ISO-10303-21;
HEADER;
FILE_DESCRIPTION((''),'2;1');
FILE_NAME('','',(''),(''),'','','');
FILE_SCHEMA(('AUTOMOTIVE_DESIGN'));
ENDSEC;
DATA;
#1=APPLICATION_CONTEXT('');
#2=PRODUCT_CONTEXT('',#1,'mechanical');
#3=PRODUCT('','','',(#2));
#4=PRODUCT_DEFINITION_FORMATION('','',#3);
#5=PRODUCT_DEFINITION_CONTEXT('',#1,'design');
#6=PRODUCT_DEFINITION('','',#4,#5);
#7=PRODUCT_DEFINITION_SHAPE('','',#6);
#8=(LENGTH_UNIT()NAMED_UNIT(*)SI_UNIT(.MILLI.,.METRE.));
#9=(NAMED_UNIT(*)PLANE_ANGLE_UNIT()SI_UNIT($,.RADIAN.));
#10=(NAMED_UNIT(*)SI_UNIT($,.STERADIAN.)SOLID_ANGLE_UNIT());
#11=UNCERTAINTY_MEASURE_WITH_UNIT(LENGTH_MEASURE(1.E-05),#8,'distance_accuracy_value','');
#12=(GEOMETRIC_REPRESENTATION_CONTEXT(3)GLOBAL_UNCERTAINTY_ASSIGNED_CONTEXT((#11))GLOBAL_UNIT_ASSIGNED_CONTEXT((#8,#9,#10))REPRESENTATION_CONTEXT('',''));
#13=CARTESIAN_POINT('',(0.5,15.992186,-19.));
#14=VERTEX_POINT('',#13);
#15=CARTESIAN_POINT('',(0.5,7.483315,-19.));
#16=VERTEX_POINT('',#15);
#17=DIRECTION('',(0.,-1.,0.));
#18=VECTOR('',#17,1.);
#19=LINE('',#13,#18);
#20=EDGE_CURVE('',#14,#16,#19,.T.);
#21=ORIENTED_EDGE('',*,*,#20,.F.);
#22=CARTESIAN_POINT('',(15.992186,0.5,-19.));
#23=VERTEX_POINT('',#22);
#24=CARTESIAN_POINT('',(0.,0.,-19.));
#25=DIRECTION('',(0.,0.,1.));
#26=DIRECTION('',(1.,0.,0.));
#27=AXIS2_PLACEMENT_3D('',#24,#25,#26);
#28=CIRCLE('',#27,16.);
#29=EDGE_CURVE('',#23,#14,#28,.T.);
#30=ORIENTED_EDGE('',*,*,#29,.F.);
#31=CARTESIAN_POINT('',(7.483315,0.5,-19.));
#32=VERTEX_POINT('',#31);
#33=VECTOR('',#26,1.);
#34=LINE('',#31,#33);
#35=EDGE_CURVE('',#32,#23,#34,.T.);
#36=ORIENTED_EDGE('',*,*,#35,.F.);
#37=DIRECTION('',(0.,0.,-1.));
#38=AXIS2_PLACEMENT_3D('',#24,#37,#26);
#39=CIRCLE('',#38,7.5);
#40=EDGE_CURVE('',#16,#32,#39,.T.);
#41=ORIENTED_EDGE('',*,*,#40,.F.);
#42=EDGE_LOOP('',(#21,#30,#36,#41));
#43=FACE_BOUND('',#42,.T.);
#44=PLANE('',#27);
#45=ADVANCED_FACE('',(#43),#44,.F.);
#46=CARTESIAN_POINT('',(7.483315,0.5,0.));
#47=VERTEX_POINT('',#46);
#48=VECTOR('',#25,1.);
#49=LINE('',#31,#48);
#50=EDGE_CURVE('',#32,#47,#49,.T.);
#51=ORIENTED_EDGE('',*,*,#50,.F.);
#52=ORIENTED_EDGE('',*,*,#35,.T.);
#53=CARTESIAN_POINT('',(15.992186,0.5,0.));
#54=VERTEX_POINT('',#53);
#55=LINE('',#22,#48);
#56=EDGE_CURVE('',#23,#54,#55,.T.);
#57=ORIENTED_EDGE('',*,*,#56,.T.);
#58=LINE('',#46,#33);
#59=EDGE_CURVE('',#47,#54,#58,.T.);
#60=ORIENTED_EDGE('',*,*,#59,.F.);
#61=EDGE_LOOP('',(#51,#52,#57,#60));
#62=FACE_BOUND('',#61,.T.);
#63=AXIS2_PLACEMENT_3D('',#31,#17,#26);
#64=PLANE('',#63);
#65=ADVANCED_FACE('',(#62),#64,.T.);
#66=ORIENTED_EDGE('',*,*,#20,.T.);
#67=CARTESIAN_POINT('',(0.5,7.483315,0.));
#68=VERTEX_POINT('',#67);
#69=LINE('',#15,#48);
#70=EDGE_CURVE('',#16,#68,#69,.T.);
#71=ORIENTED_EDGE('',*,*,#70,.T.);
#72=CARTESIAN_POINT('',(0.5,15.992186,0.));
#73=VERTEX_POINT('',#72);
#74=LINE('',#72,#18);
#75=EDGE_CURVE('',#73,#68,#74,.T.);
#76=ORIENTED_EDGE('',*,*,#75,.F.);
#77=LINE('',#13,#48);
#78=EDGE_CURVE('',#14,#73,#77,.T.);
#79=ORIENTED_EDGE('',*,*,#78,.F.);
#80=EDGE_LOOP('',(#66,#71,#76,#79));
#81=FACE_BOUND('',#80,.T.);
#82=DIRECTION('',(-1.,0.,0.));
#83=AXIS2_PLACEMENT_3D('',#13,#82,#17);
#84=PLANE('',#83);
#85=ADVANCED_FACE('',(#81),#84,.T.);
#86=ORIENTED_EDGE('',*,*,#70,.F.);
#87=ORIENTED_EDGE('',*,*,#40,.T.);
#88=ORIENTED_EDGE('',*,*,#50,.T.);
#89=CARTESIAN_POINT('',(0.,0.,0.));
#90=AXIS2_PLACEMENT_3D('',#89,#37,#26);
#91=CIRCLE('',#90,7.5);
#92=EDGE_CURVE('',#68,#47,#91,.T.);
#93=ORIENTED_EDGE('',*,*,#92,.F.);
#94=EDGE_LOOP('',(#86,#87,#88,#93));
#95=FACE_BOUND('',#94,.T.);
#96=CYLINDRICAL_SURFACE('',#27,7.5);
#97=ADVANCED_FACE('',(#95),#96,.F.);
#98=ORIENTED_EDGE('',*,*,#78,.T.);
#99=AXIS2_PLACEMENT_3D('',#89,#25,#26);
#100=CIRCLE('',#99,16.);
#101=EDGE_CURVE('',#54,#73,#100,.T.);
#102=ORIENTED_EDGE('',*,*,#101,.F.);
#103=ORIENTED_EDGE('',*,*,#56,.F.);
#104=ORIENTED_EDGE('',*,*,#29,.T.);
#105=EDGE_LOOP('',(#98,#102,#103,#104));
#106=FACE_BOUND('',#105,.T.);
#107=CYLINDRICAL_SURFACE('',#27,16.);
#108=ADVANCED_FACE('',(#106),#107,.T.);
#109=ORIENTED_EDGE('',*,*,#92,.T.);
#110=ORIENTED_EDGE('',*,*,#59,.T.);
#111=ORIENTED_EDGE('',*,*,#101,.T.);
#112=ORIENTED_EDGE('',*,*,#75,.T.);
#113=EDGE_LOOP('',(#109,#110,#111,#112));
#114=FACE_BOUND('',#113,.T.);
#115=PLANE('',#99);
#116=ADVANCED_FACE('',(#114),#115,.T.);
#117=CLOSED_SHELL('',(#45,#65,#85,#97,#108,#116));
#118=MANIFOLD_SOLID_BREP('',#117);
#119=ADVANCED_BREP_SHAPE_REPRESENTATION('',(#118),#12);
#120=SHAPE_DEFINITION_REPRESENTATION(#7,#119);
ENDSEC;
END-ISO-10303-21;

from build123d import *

# Parameters (mm, degrees)
BOSS_EXTRUDE1_DEPTH = 19


with BuildPart() as part:
    # Sketch1 → Boss-Extrude1 (new body)
    with BuildSketch(Plane.XY):
        with BuildLine():
            Line((0.5, 15.992185592), (0.5, 7.483314774))
            ThreePointArc((0.5, 7.483314774), (5.303300859, 5.303300859), (7.483314774, 0.5))
            Line((7.483314774, 0.5), (15.992185592, 0.5))
            ThreePointArc((15.992185592, 0.5), (11.313708499, 11.313708499), (0.5, 15.992185592))
        make_face()
    extrude(amount=-BOSS_EXTRUDE1_DEPTH)


solid = part.part
